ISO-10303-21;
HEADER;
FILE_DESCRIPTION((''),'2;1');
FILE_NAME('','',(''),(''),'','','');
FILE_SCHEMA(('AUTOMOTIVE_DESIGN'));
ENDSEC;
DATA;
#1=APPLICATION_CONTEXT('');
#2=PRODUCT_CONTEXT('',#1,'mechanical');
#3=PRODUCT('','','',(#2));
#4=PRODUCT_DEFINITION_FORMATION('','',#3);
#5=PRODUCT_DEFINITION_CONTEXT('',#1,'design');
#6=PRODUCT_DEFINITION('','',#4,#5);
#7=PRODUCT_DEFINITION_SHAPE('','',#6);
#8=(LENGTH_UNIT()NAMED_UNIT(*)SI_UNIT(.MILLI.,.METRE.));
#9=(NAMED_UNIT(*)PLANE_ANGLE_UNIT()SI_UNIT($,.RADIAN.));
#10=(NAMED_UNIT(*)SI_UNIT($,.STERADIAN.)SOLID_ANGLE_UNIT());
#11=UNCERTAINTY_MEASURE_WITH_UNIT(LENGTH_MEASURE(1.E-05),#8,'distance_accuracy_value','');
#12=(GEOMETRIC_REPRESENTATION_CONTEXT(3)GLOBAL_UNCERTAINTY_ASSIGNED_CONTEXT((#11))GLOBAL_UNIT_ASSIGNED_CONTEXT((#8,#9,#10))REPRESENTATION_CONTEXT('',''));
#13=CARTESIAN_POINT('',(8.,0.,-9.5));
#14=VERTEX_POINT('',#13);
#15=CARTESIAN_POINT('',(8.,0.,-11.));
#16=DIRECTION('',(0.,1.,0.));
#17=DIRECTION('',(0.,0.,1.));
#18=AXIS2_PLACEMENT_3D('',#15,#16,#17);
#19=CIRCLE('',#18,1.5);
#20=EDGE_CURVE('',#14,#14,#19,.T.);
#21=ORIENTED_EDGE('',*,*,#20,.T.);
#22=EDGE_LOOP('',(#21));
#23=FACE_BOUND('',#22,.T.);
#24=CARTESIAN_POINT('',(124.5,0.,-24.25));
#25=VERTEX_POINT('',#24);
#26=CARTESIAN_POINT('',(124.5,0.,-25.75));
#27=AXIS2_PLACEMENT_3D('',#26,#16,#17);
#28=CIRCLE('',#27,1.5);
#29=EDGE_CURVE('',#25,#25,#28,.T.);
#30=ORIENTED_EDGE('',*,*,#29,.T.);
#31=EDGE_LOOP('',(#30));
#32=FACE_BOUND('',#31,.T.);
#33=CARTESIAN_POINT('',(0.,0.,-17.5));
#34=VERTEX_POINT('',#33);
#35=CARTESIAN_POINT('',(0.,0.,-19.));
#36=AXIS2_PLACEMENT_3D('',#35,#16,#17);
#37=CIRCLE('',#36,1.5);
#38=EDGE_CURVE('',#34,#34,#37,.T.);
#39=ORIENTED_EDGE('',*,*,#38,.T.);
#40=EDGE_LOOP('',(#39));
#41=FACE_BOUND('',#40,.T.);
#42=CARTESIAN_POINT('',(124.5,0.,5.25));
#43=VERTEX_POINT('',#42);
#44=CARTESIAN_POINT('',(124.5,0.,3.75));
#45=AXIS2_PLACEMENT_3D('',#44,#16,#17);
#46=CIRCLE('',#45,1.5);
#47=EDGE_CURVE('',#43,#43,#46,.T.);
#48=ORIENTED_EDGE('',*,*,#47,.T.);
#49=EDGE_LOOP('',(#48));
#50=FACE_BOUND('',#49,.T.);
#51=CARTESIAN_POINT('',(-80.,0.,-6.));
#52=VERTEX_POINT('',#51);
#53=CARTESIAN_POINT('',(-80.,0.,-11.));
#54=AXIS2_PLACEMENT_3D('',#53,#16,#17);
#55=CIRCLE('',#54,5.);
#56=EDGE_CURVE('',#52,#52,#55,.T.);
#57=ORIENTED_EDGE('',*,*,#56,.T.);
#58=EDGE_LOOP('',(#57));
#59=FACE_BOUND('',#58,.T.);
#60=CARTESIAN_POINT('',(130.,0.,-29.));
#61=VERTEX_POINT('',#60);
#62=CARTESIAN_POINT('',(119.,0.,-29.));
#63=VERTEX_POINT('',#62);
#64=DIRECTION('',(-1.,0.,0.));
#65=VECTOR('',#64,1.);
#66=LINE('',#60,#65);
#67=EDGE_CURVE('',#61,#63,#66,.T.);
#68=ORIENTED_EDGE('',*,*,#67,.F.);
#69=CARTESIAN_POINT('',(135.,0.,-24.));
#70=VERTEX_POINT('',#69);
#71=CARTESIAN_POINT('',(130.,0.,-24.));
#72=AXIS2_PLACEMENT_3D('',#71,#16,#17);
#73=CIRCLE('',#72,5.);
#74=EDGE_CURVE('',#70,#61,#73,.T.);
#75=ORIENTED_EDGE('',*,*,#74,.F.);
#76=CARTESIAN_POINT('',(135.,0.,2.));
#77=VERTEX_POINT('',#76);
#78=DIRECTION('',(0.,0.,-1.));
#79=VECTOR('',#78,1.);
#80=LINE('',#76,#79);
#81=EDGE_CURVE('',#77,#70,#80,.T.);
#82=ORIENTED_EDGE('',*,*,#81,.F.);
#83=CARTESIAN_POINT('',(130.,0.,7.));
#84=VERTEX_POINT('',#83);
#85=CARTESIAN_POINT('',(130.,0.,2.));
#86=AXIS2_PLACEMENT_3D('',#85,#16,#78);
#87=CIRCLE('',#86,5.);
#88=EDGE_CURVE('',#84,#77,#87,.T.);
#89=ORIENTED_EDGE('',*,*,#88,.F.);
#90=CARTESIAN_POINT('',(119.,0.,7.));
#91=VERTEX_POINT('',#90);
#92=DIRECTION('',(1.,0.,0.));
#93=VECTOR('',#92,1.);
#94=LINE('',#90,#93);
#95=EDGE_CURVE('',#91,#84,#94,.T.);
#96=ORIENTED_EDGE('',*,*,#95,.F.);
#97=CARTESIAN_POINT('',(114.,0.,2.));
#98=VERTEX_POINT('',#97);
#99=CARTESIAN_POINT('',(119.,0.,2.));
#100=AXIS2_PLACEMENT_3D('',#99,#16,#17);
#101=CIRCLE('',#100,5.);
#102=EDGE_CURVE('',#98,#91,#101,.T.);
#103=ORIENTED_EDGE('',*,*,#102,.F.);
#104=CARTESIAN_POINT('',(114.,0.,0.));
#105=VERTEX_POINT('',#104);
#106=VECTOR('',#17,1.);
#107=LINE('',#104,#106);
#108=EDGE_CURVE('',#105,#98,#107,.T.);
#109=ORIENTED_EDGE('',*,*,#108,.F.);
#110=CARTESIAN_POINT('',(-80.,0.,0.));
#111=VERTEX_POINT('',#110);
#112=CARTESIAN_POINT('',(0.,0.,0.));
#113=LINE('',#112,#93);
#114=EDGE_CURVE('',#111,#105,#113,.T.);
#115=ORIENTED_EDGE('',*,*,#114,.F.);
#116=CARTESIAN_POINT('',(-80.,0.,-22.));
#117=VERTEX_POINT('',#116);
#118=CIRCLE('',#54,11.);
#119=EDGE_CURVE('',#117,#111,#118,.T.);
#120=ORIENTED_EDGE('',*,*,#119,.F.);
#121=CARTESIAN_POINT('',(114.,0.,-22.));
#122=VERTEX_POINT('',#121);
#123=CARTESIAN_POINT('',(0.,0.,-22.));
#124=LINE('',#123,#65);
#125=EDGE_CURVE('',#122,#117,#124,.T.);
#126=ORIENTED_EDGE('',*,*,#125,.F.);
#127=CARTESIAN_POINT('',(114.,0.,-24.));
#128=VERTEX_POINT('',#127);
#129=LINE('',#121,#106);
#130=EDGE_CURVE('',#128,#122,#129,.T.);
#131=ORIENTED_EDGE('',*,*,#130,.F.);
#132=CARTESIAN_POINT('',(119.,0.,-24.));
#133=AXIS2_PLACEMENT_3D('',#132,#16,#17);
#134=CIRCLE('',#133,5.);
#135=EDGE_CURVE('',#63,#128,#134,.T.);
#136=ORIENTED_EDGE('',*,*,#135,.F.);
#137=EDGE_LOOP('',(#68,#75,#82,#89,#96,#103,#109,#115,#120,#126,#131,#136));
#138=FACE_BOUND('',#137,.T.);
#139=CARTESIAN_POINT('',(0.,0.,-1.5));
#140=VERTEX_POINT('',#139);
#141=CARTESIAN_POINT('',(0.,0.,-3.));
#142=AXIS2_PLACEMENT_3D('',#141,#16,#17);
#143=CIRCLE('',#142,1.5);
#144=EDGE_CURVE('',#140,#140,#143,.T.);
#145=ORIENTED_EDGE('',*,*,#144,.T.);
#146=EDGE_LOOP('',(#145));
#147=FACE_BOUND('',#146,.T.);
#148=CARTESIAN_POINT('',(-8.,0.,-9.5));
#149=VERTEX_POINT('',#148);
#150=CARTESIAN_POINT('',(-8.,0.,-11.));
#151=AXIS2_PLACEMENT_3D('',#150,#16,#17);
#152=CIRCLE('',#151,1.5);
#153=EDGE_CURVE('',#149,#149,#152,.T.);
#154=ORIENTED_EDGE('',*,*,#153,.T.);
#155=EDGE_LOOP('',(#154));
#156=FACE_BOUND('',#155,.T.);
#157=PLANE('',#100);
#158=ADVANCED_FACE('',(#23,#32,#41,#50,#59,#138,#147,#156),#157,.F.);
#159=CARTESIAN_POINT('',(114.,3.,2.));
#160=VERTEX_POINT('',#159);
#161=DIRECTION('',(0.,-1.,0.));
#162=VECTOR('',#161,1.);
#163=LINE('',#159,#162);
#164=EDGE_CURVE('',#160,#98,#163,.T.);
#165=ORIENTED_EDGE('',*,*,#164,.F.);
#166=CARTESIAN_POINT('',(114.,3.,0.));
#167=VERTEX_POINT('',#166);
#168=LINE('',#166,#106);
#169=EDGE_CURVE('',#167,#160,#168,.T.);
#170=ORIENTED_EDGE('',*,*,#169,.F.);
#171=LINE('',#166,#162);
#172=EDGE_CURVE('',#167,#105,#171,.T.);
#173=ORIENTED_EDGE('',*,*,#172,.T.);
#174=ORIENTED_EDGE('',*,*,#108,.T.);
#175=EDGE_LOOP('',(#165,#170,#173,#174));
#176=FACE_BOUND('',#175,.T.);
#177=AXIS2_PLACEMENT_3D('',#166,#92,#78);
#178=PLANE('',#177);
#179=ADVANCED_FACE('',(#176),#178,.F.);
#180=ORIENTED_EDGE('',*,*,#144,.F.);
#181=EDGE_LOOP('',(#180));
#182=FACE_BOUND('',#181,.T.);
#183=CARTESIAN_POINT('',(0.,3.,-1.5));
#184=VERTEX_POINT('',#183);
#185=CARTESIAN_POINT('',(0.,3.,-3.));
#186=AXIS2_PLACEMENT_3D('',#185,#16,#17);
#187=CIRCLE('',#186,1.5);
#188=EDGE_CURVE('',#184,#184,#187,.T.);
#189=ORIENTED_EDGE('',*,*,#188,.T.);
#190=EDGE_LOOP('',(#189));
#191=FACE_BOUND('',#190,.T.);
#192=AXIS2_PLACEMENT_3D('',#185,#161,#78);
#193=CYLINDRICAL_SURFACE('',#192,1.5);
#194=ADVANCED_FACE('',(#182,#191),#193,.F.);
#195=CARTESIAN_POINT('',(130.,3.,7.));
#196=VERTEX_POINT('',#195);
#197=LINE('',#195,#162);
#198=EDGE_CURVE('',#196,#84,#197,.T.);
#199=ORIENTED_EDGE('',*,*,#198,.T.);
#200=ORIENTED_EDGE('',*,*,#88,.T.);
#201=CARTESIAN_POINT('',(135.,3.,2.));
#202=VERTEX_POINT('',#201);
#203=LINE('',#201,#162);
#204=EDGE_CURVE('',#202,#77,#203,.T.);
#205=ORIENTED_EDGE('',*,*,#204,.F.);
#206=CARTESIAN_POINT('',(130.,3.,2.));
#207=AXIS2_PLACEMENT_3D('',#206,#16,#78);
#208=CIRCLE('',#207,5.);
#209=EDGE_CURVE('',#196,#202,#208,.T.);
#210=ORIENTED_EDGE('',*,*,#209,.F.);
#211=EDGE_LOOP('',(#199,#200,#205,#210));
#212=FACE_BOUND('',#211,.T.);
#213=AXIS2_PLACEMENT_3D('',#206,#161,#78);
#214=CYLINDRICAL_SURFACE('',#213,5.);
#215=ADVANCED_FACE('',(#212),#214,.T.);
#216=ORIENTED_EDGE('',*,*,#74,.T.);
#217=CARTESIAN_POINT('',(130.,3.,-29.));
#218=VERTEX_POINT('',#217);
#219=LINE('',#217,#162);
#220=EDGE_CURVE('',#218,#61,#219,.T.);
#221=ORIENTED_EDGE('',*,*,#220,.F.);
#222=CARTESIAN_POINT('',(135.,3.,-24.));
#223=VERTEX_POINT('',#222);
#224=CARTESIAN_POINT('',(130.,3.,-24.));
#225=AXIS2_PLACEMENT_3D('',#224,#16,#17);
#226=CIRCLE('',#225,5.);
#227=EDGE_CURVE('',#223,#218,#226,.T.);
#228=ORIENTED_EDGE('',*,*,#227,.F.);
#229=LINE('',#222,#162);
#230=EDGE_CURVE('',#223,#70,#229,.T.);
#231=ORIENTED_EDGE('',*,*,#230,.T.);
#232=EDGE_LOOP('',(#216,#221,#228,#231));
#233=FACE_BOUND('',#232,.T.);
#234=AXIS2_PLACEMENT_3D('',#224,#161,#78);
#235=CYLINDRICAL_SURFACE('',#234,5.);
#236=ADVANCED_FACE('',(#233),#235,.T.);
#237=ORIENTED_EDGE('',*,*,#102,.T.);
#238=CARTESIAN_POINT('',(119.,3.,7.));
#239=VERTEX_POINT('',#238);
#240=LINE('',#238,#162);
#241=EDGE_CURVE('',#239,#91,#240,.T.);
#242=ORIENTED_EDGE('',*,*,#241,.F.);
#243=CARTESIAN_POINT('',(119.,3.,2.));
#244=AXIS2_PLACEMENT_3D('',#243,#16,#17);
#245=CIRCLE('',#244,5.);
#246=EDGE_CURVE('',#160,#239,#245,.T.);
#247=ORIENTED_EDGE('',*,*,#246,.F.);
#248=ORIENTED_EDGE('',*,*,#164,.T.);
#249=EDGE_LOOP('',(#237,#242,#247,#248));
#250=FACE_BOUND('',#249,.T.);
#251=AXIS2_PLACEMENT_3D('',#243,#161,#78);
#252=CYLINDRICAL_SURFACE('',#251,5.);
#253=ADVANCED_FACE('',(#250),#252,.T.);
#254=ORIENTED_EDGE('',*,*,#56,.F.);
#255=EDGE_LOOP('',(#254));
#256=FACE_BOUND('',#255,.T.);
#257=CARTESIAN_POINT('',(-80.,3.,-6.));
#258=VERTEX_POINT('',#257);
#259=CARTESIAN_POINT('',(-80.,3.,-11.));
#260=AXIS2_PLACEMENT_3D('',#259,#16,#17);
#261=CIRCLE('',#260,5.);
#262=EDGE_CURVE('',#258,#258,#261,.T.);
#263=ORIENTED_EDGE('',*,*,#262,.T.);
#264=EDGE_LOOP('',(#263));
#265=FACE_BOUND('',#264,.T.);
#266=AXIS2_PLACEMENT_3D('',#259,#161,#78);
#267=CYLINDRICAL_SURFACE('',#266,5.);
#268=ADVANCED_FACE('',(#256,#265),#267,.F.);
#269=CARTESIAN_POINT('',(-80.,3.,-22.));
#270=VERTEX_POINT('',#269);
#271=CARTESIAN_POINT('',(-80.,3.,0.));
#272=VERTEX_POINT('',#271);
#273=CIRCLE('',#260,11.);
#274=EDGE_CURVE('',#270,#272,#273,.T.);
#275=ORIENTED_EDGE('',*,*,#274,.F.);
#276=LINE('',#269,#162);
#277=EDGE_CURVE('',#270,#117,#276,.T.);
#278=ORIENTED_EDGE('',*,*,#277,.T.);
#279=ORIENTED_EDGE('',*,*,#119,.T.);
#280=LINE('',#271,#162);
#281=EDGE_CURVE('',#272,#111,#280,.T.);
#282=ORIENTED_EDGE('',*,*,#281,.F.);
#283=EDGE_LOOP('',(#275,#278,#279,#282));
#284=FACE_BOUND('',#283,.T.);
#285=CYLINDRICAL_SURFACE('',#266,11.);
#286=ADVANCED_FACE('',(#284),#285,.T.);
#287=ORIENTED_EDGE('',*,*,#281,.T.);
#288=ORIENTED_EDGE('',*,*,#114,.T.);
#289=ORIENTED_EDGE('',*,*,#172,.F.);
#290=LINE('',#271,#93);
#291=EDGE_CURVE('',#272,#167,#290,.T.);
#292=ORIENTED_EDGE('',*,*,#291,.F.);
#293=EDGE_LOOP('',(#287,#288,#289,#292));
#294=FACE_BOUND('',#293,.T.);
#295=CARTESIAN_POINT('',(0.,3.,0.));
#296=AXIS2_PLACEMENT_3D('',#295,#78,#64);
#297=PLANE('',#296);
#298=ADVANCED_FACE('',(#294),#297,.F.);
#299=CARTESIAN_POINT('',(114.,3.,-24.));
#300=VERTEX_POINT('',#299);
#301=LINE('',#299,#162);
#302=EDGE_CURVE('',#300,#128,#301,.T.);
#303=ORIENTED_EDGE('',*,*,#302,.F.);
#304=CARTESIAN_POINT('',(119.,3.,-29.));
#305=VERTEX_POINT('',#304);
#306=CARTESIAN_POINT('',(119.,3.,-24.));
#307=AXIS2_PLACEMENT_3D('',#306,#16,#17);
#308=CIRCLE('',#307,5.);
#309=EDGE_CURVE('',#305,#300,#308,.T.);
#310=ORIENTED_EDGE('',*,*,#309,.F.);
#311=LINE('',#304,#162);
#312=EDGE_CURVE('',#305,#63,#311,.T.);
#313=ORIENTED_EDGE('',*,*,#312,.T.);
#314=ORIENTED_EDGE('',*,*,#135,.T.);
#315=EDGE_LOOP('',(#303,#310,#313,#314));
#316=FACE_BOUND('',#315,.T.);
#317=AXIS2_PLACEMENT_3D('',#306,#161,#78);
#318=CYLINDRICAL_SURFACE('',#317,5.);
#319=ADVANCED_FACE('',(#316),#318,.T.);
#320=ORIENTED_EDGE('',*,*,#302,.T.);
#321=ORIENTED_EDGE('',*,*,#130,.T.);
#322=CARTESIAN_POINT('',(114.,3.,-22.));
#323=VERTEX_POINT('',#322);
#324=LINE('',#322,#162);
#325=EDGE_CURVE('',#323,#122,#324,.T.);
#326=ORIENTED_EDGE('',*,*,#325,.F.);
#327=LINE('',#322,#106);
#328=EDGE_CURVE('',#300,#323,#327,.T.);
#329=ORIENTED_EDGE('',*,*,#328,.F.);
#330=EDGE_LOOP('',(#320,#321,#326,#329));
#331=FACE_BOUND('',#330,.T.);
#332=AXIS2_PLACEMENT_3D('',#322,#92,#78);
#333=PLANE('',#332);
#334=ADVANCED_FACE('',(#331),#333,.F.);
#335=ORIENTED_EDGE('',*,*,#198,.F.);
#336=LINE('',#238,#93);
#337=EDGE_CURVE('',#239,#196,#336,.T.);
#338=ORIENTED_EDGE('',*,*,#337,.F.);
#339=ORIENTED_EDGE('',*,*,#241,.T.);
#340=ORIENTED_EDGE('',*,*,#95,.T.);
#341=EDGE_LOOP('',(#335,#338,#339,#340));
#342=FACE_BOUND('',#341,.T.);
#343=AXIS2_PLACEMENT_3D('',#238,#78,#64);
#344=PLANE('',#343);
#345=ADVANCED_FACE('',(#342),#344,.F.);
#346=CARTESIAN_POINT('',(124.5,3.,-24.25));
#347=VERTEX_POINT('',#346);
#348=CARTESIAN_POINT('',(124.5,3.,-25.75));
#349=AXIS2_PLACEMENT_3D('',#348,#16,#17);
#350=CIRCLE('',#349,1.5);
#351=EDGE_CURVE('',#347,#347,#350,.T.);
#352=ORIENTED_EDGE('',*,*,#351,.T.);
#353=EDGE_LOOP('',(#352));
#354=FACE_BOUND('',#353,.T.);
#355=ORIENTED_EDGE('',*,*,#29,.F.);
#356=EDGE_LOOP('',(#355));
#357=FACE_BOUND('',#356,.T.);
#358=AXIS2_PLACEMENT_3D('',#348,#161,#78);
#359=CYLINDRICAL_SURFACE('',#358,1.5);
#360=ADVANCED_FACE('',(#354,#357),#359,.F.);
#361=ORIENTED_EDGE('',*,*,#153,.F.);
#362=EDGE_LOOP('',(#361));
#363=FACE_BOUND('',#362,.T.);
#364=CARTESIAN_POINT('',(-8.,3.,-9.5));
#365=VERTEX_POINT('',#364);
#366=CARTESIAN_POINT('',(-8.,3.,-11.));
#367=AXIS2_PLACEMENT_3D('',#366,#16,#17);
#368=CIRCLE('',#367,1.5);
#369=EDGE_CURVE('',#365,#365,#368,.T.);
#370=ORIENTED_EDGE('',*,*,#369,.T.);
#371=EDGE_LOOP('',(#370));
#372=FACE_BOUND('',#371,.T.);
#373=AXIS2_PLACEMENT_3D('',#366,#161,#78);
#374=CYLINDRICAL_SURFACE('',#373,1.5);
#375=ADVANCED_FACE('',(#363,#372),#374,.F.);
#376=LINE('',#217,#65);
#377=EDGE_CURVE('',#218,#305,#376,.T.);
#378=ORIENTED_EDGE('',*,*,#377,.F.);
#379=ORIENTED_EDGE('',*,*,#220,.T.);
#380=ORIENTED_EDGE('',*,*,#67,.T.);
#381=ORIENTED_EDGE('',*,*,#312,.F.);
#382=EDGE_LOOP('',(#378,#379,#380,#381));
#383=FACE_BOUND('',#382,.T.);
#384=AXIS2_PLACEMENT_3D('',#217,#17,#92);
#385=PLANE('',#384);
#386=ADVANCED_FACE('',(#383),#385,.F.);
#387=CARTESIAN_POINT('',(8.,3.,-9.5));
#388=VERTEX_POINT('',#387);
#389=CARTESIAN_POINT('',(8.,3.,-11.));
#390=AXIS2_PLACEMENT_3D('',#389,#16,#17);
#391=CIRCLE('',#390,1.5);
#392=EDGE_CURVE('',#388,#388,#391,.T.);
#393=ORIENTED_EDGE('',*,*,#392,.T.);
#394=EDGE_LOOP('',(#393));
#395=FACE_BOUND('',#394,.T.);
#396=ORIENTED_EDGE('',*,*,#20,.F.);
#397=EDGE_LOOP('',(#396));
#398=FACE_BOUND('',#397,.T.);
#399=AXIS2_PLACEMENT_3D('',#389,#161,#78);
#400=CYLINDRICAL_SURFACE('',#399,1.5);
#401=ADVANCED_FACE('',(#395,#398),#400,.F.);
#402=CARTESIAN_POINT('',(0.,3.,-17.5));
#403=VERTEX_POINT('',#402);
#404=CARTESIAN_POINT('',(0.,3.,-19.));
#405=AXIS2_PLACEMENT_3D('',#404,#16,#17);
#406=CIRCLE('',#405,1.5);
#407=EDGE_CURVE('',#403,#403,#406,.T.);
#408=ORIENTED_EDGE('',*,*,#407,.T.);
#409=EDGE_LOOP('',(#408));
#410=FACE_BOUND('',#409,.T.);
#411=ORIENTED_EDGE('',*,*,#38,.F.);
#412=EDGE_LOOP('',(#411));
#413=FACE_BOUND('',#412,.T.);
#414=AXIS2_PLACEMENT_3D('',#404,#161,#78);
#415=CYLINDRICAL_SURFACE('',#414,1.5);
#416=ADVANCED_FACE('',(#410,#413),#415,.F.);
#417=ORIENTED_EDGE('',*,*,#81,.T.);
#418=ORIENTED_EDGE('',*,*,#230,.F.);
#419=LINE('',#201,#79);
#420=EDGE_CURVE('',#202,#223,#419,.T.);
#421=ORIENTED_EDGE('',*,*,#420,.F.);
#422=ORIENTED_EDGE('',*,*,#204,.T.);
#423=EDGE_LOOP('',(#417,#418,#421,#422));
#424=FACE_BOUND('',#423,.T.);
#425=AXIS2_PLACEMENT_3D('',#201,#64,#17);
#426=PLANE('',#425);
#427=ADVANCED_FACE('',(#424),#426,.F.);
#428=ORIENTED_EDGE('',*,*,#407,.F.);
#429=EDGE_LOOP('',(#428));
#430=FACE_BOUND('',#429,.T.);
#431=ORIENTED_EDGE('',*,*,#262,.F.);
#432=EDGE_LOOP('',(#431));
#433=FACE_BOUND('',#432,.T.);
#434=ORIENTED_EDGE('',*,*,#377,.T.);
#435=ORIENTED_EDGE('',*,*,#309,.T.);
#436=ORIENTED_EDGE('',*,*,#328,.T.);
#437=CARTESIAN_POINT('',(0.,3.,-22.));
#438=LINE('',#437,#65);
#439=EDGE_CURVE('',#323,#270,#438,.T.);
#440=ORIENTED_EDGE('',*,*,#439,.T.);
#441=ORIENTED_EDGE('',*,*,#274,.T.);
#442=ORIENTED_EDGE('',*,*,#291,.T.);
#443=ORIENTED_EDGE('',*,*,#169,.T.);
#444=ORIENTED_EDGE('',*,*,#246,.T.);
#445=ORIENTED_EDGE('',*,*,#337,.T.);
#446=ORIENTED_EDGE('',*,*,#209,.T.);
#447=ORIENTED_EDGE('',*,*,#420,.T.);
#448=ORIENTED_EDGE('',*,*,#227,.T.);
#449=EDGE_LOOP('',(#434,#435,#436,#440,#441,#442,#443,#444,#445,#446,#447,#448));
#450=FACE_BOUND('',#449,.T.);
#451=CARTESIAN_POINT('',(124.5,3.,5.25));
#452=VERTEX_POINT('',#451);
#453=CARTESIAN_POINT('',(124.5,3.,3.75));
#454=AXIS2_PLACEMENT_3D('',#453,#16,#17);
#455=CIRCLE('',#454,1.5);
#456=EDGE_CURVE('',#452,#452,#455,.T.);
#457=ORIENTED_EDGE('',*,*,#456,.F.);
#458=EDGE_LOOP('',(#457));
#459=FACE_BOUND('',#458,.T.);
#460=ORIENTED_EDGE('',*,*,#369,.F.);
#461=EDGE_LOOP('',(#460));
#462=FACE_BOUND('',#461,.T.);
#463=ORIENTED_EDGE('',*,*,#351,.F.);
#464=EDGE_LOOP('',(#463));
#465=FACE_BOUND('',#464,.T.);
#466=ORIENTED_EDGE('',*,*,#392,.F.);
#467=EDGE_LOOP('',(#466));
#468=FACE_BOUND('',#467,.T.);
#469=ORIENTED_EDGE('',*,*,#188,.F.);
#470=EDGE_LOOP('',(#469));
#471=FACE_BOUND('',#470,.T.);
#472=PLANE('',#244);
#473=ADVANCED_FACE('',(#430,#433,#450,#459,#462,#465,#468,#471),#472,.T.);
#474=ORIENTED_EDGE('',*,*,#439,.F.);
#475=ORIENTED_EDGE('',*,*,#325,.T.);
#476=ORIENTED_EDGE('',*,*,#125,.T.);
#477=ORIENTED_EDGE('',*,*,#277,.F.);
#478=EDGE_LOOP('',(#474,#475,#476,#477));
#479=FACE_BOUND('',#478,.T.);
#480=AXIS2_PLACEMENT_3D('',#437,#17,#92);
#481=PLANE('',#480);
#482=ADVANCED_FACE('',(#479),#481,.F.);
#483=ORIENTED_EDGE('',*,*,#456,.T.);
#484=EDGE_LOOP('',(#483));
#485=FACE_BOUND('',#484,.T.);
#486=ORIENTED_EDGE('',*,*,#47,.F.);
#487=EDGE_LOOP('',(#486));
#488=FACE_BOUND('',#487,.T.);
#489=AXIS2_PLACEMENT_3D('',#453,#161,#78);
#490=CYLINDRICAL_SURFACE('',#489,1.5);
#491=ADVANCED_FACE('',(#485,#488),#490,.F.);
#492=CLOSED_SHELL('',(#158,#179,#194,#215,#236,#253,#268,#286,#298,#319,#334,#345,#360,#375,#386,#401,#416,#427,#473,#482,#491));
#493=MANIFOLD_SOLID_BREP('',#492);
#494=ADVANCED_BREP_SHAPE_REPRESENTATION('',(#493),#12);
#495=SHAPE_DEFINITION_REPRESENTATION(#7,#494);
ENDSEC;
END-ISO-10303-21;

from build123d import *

# Parameters (mm, degrees)
SKETCH_1_R      = 5
SKETCH_1_R_2    = 1.5
EXTRUDE_1_DEPTH = 3


with BuildPart() as part:
    # 草图1 → 凸台-拉伸1 (new body)
    with BuildSketch(Plane(origin=(0, 0, 0), x_dir=(1, 0, 0), z_dir=(0, 1, 0))):
        with BuildLine():
            Line((135, -2), (135, 24))
            ThreePointArc((135, 24), (133.535533906, 27.535533906), (130, 29))
            Line((130, 29), (119, 29))
            ThreePointArc((119, 29), (115.464466094, 27.535533906), (114, 24))
            Line((114, 24), (114, 22))
            Line((114, 22), (0, 22))
            Line((0, 22), (-80, 22))
            ThreePointArc((-80, 22), (-91, 11), (-80, 0))
            Line((-80, 0), (0, 0))
            Line((0, 0), (114, 0))
            Line((114, 0), (114, -2))
            ThreePointArc((114, -2), (115.464466094, -5.535533906), (119, -7))
            Line((119, -7), (130, -7))
            ThreePointArc((130, -7), (133.535533906, -5.535533906), (135, -2))
        make_face()
        with Locations(Location((-80, 11, 0), (0, 0, 270))):
            Circle(SKETCH_1_R, mode=Mode.SUBTRACT)
        with Locations(Location((124.5, 25.75, 0), (0, 0, 270))):
            Circle(SKETCH_1_R_2, mode=Mode.SUBTRACT)
        with Locations(Location((124.5, -3.75, 0), (0, 0, 270))):
            Circle(SKETCH_1_R_2, mode=Mode.SUBTRACT)
        with Locations(Location((0, 19, 0), (0, 0, 270))):
            Circle(SKETCH_1_R_2, mode=Mode.SUBTRACT)
        with Locations(Location((8, 11, 0), (0, 0, 270))):
            Circle(SKETCH_1_R_2, mode=Mode.SUBTRACT)
        with Locations(Location((0, 3, 0), (0, 0, 270))):
            Circle(SKETCH_1_R_2, mode=Mode.SUBTRACT)
        with Locations(Location((-8, 11, 0), (0, 0, 270))):
            Circle(SKETCH_1_R_2, mode=Mode.SUBTRACT)
    extrude(amount=EXTRUDE_1_DEPTH)


solid = part.part
